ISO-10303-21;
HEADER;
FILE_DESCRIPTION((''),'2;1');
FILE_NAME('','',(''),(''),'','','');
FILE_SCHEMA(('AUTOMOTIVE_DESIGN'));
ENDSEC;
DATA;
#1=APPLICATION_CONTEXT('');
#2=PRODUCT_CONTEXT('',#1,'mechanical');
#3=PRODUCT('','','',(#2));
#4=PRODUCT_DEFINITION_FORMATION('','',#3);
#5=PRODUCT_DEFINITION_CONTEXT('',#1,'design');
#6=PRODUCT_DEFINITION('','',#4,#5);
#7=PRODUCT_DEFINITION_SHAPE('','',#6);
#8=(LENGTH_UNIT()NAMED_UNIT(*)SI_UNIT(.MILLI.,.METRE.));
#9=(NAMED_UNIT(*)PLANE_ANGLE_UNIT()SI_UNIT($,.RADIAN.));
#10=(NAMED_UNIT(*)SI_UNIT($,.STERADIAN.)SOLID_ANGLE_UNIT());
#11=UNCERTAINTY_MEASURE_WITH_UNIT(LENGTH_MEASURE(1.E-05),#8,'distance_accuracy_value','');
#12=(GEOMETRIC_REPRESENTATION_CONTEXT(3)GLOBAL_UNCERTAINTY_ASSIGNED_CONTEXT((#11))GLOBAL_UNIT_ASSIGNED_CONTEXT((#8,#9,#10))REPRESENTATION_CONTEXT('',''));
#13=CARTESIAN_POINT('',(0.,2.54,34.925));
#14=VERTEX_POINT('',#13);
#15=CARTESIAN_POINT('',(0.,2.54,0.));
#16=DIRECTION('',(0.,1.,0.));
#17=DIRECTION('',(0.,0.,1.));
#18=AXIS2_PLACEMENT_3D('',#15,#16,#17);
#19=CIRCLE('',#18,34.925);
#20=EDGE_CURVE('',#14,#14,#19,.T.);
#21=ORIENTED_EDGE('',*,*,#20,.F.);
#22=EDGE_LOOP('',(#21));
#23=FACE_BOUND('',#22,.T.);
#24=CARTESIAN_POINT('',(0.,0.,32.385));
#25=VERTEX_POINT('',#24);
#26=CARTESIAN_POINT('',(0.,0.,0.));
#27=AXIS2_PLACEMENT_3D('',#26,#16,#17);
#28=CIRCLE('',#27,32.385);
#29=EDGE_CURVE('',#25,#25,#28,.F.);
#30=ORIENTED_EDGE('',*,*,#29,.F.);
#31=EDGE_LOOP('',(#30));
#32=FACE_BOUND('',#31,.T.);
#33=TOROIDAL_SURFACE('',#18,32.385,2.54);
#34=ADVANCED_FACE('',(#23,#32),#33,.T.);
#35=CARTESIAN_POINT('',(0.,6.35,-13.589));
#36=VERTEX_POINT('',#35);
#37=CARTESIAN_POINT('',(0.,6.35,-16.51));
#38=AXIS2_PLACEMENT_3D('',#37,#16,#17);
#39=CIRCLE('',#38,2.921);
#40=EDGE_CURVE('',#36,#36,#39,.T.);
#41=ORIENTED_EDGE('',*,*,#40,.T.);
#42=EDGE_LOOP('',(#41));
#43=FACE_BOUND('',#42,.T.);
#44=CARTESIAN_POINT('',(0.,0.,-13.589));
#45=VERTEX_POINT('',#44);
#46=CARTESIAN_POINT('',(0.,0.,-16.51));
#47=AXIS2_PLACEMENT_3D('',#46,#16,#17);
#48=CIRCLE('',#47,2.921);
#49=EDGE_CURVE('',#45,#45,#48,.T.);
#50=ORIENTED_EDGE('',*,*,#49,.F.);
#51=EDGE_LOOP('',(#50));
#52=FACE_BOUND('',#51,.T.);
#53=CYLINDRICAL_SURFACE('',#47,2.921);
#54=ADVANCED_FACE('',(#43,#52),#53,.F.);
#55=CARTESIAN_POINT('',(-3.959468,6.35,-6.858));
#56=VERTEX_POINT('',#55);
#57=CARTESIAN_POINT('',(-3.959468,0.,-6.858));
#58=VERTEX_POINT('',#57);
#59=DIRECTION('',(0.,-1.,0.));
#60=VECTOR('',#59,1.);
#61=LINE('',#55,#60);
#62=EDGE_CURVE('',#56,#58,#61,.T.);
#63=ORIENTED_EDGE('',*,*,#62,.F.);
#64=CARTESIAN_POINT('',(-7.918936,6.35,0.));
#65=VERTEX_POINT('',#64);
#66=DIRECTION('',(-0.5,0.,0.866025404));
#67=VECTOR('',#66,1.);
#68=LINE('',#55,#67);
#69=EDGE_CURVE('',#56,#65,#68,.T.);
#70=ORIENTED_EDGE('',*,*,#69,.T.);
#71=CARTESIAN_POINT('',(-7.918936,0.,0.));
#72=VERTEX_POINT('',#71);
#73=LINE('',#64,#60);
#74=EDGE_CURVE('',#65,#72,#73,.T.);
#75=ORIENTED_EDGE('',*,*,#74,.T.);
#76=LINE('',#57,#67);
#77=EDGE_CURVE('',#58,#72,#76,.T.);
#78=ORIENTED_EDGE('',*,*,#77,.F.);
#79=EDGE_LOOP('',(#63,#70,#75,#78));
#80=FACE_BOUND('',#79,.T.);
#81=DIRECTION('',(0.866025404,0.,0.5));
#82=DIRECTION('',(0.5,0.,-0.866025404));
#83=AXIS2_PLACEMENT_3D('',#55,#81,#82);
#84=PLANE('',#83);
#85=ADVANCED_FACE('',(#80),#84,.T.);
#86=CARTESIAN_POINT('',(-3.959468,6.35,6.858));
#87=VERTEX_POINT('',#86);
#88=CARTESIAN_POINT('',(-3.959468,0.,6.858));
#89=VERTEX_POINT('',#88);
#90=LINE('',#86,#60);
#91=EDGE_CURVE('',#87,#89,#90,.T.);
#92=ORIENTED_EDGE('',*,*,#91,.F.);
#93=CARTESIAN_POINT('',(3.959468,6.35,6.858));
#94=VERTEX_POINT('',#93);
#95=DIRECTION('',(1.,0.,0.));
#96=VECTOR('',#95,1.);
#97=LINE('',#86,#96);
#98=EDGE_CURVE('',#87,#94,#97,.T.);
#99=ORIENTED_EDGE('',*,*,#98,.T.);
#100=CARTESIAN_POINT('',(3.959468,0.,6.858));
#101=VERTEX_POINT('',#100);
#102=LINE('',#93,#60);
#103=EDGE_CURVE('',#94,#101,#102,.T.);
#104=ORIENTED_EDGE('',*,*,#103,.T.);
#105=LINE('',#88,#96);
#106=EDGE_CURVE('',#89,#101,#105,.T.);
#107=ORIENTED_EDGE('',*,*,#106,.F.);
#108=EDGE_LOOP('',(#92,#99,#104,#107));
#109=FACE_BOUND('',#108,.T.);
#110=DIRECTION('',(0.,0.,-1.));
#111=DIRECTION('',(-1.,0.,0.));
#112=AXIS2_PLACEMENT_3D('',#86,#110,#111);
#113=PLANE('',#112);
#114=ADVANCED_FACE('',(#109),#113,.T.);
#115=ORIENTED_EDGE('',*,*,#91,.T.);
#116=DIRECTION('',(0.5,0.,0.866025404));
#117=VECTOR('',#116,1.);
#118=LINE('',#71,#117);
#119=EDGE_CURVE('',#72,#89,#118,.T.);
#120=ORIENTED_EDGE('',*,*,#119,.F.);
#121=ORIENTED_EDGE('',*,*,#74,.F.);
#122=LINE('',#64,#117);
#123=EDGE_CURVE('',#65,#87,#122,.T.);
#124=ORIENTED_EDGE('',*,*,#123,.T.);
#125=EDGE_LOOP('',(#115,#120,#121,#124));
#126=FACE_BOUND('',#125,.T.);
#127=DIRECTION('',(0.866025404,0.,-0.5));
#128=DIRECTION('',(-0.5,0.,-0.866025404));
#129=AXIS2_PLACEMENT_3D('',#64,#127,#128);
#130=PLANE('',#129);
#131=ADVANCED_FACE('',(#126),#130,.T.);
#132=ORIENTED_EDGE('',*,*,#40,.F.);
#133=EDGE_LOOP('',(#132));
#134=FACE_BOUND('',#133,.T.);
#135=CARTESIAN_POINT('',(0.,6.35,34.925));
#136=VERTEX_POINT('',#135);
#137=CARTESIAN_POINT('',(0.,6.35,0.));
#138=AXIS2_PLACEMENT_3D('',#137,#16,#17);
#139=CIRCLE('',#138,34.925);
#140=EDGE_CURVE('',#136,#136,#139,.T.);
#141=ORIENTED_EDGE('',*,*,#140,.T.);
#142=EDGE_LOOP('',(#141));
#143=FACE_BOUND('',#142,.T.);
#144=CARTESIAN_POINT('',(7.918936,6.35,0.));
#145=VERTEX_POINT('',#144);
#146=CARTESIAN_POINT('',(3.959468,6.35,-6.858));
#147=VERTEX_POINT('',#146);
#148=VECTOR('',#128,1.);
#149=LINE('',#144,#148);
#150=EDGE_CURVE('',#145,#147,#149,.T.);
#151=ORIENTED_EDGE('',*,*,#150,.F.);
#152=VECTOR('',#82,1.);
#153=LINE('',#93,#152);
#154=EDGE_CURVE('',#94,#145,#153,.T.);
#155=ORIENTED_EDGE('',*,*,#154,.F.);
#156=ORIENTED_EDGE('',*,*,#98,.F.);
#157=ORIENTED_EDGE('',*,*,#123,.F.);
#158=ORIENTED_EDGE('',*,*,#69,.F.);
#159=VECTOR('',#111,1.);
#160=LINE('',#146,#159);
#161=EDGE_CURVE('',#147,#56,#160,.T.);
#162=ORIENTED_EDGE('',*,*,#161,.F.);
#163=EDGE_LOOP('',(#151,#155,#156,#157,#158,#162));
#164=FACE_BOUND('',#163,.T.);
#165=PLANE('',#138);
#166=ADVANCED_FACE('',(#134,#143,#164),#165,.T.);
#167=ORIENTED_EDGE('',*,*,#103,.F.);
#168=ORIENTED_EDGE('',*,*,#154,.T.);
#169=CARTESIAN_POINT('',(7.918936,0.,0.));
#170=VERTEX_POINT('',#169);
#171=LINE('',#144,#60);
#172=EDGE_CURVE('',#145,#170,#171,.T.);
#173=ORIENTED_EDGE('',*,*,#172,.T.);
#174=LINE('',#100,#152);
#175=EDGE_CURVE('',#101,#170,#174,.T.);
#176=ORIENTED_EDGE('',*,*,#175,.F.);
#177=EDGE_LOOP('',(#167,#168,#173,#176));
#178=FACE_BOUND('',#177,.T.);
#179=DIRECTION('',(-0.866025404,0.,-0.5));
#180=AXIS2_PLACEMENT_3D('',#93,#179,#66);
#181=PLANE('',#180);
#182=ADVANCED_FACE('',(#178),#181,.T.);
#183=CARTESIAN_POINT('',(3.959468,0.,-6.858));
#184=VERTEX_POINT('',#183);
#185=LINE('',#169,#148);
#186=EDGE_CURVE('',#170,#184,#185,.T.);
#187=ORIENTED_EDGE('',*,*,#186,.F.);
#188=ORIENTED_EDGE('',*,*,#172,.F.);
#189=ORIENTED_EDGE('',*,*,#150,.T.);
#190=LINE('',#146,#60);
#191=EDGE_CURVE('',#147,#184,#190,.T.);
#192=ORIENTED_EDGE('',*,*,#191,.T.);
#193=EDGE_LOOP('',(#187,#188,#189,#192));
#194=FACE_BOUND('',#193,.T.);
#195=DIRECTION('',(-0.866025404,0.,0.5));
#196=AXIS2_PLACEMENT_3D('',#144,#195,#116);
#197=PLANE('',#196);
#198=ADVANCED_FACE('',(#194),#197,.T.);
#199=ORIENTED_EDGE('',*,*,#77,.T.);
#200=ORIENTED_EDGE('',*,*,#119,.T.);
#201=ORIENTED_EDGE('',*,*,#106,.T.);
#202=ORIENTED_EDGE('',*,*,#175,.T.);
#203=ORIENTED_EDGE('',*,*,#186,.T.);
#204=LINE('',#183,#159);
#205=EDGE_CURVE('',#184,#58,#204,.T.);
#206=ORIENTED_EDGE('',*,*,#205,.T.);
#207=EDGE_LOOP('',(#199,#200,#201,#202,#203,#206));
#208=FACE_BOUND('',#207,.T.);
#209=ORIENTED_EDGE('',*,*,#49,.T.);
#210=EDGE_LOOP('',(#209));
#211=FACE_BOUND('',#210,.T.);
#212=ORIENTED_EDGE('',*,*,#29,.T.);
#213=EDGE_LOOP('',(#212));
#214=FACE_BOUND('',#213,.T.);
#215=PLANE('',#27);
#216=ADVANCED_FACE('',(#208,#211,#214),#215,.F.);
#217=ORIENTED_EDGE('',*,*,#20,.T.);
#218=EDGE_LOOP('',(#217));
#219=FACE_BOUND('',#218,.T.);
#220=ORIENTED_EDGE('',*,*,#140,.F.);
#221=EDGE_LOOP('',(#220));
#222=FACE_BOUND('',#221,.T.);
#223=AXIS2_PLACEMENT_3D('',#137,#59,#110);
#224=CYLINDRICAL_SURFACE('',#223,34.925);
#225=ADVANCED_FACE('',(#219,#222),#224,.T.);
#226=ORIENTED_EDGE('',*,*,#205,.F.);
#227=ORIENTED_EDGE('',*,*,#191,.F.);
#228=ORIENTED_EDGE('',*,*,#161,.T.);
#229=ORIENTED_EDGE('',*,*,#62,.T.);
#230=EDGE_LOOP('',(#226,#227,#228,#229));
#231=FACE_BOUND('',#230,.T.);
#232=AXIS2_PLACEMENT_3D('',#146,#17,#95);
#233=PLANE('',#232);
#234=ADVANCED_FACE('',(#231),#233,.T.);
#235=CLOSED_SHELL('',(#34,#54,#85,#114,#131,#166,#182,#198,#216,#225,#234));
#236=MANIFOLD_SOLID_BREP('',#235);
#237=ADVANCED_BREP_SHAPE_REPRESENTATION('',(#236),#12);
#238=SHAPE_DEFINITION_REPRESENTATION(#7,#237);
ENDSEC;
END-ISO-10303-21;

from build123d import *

# Parameters (mm, degrees)
SKETCH1_R           = 34.925
BOSS_EXTRUDE1_DEPTH = 6.35
FILLET1_R           = 2.54
SKETCH2_R           = 2.921
CUT_EXTRUDE1_DEPTH  = 50.797929174


with BuildPart() as part:
    # Sketch1 → Boss-Extrude1 (new body)
    with BuildSketch(Plane(origin=(0, 0, 0), x_dir=(1, 0, 0), z_dir=(0, 1, 0))):
        with Locations(Location((0, 0, 0), (0, 0, 270))):
            Circle(SKETCH1_R)
        Polygon((7.918936292, 0), (3.959468146, 6.858), (-3.959468146, 6.858), (-7.918936292, 0), (-3.959468146, -6.858), (3.959468146, -6.858), align=None, mode=Mode.SUBTRACT)
    extrude(amount=BOSS_EXTRUDE1_DEPTH)

    # Fillet1
    fillet1_edges = [part.edges().sort_by_distance(p)[0] for p in [
        (0, 0, -34.925),
    ]]
    fillet(fillet1_edges, radius=FILLET1_R)

    # Sketch2 → Cut-Extrude1 (cut, through all)
    with BuildSketch(Plane(origin=(0, 6.35, 0), x_dir=(1, 0, 0), z_dir=(0, 1, 0))):
        with Locations(Location((0, 16.51, 0), (0, 0, 270))):
            Circle(SKETCH2_R)
    extrude(amount=-CUT_EXTRUDE1_DEPTH, mode=Mode.SUBTRACT)


solid = part.part
